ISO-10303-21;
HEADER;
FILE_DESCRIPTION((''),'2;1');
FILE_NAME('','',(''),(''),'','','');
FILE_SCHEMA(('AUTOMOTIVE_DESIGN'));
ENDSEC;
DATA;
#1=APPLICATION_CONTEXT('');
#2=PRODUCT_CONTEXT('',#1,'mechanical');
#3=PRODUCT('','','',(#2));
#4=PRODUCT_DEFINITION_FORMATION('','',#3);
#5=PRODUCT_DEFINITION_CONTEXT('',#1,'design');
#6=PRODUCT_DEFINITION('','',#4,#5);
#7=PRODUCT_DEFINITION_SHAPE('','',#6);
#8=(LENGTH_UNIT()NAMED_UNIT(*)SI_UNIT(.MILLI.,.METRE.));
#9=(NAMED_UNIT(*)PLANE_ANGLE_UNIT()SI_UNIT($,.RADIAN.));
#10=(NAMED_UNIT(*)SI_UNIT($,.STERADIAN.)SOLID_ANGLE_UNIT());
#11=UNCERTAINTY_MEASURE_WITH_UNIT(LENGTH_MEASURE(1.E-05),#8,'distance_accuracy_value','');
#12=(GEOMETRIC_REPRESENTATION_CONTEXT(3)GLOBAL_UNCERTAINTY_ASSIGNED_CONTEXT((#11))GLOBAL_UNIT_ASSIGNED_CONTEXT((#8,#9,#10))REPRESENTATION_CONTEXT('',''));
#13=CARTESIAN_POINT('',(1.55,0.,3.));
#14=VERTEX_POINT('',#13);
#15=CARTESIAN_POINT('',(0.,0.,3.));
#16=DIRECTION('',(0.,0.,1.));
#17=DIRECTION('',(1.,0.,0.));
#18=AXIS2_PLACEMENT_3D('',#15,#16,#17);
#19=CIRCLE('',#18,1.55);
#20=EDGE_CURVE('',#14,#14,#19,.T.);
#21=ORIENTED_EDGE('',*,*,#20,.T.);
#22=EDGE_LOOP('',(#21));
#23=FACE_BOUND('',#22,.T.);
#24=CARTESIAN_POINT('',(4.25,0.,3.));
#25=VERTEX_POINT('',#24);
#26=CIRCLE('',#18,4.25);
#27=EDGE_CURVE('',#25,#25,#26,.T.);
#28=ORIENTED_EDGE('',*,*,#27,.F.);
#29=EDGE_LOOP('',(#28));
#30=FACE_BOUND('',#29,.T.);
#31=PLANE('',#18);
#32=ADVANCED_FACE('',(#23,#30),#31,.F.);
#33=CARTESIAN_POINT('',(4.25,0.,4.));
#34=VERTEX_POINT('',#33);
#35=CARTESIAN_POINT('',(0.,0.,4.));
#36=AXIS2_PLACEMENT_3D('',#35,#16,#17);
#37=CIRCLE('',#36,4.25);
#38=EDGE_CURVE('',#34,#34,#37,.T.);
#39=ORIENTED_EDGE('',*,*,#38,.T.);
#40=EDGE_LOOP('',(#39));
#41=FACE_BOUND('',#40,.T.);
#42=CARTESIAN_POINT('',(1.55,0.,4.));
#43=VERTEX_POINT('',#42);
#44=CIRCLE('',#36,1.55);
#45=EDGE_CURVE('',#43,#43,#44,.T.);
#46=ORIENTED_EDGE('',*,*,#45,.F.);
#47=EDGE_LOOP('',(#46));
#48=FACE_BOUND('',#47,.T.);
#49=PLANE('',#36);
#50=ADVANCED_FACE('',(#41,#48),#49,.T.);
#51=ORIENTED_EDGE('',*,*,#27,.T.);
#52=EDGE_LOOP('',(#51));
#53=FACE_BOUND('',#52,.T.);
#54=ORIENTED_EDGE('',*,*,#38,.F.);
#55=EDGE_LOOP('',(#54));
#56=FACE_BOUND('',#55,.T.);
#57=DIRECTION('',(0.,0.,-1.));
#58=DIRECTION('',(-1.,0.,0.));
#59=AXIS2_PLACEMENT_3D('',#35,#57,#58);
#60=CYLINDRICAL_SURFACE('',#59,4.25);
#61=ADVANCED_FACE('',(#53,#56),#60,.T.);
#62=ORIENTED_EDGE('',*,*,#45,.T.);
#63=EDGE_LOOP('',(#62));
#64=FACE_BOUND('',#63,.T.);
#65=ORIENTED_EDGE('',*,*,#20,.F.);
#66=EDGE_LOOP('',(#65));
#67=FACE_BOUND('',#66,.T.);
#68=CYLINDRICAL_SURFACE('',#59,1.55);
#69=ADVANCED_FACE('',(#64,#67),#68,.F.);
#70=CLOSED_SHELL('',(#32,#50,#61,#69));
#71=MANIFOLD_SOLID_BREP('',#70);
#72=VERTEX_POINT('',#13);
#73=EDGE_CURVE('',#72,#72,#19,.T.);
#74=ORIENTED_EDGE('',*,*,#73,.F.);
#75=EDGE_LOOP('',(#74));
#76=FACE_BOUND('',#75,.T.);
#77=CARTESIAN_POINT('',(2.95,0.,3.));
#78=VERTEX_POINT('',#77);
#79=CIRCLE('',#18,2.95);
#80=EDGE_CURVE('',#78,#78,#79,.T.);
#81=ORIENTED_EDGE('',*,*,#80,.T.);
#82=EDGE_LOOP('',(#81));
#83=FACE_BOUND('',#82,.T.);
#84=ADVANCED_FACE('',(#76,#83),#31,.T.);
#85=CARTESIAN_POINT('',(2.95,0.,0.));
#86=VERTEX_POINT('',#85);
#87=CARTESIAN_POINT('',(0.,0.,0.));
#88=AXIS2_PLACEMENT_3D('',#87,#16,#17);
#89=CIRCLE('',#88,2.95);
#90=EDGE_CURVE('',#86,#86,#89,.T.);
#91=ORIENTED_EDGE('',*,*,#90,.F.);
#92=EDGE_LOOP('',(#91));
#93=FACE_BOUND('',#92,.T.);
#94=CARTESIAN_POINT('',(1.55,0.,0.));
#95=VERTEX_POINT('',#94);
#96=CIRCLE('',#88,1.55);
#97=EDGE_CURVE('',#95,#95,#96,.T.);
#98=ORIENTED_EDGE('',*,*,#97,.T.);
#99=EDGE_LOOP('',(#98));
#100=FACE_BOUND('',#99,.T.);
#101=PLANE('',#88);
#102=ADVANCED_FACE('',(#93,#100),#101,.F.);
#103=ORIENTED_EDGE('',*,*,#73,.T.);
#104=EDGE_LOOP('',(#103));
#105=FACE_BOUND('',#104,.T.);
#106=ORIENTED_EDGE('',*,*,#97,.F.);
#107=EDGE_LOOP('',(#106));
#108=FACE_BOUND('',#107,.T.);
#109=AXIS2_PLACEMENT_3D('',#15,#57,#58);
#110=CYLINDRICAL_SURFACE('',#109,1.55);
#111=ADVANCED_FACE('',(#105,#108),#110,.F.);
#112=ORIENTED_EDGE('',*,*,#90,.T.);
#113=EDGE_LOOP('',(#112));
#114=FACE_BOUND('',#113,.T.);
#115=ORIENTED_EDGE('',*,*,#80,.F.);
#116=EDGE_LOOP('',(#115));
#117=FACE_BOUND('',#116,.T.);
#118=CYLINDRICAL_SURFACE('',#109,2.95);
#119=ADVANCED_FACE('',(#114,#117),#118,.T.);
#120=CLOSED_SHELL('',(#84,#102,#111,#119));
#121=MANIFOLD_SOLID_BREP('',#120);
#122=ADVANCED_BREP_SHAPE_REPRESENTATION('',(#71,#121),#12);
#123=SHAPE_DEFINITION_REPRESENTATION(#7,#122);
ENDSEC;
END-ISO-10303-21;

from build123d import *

# Parameters (mm, degrees)
CROQUIS1_R              = 2.95
CROQUIS1_R_2            = 1.55
SALIENTE_EXTRUIR1_DEPTH = 3
CROQUIS2_R              = 4.25
CROQUIS2_R_2            = 1.55
SALIENTE_EXTRUIR2_DEPTH = 1


with BuildPart() as part:
    # Croquis1 → Saliente-Extruir1 (new body)
    with BuildSketch(Plane.XY):
        Circle(CROQUIS1_R)
        Circle(CROQUIS1_R_2, mode=Mode.SUBTRACT)
    extrude(amount=SALIENTE_EXTRUIR1_DEPTH)


with BuildPart() as body_2:
    # Croquis2 → Saliente-Extruir2 (new body)
    with BuildSketch(Plane.XY.offset(3)):
        Circle(CROQUIS2_R)
        Circle(CROQUIS2_R_2, mode=Mode.SUBTRACT)
    extrude(amount=SALIENTE_EXTRUIR2_DEPTH)


solid = Compound([part.part, body_2.part])
